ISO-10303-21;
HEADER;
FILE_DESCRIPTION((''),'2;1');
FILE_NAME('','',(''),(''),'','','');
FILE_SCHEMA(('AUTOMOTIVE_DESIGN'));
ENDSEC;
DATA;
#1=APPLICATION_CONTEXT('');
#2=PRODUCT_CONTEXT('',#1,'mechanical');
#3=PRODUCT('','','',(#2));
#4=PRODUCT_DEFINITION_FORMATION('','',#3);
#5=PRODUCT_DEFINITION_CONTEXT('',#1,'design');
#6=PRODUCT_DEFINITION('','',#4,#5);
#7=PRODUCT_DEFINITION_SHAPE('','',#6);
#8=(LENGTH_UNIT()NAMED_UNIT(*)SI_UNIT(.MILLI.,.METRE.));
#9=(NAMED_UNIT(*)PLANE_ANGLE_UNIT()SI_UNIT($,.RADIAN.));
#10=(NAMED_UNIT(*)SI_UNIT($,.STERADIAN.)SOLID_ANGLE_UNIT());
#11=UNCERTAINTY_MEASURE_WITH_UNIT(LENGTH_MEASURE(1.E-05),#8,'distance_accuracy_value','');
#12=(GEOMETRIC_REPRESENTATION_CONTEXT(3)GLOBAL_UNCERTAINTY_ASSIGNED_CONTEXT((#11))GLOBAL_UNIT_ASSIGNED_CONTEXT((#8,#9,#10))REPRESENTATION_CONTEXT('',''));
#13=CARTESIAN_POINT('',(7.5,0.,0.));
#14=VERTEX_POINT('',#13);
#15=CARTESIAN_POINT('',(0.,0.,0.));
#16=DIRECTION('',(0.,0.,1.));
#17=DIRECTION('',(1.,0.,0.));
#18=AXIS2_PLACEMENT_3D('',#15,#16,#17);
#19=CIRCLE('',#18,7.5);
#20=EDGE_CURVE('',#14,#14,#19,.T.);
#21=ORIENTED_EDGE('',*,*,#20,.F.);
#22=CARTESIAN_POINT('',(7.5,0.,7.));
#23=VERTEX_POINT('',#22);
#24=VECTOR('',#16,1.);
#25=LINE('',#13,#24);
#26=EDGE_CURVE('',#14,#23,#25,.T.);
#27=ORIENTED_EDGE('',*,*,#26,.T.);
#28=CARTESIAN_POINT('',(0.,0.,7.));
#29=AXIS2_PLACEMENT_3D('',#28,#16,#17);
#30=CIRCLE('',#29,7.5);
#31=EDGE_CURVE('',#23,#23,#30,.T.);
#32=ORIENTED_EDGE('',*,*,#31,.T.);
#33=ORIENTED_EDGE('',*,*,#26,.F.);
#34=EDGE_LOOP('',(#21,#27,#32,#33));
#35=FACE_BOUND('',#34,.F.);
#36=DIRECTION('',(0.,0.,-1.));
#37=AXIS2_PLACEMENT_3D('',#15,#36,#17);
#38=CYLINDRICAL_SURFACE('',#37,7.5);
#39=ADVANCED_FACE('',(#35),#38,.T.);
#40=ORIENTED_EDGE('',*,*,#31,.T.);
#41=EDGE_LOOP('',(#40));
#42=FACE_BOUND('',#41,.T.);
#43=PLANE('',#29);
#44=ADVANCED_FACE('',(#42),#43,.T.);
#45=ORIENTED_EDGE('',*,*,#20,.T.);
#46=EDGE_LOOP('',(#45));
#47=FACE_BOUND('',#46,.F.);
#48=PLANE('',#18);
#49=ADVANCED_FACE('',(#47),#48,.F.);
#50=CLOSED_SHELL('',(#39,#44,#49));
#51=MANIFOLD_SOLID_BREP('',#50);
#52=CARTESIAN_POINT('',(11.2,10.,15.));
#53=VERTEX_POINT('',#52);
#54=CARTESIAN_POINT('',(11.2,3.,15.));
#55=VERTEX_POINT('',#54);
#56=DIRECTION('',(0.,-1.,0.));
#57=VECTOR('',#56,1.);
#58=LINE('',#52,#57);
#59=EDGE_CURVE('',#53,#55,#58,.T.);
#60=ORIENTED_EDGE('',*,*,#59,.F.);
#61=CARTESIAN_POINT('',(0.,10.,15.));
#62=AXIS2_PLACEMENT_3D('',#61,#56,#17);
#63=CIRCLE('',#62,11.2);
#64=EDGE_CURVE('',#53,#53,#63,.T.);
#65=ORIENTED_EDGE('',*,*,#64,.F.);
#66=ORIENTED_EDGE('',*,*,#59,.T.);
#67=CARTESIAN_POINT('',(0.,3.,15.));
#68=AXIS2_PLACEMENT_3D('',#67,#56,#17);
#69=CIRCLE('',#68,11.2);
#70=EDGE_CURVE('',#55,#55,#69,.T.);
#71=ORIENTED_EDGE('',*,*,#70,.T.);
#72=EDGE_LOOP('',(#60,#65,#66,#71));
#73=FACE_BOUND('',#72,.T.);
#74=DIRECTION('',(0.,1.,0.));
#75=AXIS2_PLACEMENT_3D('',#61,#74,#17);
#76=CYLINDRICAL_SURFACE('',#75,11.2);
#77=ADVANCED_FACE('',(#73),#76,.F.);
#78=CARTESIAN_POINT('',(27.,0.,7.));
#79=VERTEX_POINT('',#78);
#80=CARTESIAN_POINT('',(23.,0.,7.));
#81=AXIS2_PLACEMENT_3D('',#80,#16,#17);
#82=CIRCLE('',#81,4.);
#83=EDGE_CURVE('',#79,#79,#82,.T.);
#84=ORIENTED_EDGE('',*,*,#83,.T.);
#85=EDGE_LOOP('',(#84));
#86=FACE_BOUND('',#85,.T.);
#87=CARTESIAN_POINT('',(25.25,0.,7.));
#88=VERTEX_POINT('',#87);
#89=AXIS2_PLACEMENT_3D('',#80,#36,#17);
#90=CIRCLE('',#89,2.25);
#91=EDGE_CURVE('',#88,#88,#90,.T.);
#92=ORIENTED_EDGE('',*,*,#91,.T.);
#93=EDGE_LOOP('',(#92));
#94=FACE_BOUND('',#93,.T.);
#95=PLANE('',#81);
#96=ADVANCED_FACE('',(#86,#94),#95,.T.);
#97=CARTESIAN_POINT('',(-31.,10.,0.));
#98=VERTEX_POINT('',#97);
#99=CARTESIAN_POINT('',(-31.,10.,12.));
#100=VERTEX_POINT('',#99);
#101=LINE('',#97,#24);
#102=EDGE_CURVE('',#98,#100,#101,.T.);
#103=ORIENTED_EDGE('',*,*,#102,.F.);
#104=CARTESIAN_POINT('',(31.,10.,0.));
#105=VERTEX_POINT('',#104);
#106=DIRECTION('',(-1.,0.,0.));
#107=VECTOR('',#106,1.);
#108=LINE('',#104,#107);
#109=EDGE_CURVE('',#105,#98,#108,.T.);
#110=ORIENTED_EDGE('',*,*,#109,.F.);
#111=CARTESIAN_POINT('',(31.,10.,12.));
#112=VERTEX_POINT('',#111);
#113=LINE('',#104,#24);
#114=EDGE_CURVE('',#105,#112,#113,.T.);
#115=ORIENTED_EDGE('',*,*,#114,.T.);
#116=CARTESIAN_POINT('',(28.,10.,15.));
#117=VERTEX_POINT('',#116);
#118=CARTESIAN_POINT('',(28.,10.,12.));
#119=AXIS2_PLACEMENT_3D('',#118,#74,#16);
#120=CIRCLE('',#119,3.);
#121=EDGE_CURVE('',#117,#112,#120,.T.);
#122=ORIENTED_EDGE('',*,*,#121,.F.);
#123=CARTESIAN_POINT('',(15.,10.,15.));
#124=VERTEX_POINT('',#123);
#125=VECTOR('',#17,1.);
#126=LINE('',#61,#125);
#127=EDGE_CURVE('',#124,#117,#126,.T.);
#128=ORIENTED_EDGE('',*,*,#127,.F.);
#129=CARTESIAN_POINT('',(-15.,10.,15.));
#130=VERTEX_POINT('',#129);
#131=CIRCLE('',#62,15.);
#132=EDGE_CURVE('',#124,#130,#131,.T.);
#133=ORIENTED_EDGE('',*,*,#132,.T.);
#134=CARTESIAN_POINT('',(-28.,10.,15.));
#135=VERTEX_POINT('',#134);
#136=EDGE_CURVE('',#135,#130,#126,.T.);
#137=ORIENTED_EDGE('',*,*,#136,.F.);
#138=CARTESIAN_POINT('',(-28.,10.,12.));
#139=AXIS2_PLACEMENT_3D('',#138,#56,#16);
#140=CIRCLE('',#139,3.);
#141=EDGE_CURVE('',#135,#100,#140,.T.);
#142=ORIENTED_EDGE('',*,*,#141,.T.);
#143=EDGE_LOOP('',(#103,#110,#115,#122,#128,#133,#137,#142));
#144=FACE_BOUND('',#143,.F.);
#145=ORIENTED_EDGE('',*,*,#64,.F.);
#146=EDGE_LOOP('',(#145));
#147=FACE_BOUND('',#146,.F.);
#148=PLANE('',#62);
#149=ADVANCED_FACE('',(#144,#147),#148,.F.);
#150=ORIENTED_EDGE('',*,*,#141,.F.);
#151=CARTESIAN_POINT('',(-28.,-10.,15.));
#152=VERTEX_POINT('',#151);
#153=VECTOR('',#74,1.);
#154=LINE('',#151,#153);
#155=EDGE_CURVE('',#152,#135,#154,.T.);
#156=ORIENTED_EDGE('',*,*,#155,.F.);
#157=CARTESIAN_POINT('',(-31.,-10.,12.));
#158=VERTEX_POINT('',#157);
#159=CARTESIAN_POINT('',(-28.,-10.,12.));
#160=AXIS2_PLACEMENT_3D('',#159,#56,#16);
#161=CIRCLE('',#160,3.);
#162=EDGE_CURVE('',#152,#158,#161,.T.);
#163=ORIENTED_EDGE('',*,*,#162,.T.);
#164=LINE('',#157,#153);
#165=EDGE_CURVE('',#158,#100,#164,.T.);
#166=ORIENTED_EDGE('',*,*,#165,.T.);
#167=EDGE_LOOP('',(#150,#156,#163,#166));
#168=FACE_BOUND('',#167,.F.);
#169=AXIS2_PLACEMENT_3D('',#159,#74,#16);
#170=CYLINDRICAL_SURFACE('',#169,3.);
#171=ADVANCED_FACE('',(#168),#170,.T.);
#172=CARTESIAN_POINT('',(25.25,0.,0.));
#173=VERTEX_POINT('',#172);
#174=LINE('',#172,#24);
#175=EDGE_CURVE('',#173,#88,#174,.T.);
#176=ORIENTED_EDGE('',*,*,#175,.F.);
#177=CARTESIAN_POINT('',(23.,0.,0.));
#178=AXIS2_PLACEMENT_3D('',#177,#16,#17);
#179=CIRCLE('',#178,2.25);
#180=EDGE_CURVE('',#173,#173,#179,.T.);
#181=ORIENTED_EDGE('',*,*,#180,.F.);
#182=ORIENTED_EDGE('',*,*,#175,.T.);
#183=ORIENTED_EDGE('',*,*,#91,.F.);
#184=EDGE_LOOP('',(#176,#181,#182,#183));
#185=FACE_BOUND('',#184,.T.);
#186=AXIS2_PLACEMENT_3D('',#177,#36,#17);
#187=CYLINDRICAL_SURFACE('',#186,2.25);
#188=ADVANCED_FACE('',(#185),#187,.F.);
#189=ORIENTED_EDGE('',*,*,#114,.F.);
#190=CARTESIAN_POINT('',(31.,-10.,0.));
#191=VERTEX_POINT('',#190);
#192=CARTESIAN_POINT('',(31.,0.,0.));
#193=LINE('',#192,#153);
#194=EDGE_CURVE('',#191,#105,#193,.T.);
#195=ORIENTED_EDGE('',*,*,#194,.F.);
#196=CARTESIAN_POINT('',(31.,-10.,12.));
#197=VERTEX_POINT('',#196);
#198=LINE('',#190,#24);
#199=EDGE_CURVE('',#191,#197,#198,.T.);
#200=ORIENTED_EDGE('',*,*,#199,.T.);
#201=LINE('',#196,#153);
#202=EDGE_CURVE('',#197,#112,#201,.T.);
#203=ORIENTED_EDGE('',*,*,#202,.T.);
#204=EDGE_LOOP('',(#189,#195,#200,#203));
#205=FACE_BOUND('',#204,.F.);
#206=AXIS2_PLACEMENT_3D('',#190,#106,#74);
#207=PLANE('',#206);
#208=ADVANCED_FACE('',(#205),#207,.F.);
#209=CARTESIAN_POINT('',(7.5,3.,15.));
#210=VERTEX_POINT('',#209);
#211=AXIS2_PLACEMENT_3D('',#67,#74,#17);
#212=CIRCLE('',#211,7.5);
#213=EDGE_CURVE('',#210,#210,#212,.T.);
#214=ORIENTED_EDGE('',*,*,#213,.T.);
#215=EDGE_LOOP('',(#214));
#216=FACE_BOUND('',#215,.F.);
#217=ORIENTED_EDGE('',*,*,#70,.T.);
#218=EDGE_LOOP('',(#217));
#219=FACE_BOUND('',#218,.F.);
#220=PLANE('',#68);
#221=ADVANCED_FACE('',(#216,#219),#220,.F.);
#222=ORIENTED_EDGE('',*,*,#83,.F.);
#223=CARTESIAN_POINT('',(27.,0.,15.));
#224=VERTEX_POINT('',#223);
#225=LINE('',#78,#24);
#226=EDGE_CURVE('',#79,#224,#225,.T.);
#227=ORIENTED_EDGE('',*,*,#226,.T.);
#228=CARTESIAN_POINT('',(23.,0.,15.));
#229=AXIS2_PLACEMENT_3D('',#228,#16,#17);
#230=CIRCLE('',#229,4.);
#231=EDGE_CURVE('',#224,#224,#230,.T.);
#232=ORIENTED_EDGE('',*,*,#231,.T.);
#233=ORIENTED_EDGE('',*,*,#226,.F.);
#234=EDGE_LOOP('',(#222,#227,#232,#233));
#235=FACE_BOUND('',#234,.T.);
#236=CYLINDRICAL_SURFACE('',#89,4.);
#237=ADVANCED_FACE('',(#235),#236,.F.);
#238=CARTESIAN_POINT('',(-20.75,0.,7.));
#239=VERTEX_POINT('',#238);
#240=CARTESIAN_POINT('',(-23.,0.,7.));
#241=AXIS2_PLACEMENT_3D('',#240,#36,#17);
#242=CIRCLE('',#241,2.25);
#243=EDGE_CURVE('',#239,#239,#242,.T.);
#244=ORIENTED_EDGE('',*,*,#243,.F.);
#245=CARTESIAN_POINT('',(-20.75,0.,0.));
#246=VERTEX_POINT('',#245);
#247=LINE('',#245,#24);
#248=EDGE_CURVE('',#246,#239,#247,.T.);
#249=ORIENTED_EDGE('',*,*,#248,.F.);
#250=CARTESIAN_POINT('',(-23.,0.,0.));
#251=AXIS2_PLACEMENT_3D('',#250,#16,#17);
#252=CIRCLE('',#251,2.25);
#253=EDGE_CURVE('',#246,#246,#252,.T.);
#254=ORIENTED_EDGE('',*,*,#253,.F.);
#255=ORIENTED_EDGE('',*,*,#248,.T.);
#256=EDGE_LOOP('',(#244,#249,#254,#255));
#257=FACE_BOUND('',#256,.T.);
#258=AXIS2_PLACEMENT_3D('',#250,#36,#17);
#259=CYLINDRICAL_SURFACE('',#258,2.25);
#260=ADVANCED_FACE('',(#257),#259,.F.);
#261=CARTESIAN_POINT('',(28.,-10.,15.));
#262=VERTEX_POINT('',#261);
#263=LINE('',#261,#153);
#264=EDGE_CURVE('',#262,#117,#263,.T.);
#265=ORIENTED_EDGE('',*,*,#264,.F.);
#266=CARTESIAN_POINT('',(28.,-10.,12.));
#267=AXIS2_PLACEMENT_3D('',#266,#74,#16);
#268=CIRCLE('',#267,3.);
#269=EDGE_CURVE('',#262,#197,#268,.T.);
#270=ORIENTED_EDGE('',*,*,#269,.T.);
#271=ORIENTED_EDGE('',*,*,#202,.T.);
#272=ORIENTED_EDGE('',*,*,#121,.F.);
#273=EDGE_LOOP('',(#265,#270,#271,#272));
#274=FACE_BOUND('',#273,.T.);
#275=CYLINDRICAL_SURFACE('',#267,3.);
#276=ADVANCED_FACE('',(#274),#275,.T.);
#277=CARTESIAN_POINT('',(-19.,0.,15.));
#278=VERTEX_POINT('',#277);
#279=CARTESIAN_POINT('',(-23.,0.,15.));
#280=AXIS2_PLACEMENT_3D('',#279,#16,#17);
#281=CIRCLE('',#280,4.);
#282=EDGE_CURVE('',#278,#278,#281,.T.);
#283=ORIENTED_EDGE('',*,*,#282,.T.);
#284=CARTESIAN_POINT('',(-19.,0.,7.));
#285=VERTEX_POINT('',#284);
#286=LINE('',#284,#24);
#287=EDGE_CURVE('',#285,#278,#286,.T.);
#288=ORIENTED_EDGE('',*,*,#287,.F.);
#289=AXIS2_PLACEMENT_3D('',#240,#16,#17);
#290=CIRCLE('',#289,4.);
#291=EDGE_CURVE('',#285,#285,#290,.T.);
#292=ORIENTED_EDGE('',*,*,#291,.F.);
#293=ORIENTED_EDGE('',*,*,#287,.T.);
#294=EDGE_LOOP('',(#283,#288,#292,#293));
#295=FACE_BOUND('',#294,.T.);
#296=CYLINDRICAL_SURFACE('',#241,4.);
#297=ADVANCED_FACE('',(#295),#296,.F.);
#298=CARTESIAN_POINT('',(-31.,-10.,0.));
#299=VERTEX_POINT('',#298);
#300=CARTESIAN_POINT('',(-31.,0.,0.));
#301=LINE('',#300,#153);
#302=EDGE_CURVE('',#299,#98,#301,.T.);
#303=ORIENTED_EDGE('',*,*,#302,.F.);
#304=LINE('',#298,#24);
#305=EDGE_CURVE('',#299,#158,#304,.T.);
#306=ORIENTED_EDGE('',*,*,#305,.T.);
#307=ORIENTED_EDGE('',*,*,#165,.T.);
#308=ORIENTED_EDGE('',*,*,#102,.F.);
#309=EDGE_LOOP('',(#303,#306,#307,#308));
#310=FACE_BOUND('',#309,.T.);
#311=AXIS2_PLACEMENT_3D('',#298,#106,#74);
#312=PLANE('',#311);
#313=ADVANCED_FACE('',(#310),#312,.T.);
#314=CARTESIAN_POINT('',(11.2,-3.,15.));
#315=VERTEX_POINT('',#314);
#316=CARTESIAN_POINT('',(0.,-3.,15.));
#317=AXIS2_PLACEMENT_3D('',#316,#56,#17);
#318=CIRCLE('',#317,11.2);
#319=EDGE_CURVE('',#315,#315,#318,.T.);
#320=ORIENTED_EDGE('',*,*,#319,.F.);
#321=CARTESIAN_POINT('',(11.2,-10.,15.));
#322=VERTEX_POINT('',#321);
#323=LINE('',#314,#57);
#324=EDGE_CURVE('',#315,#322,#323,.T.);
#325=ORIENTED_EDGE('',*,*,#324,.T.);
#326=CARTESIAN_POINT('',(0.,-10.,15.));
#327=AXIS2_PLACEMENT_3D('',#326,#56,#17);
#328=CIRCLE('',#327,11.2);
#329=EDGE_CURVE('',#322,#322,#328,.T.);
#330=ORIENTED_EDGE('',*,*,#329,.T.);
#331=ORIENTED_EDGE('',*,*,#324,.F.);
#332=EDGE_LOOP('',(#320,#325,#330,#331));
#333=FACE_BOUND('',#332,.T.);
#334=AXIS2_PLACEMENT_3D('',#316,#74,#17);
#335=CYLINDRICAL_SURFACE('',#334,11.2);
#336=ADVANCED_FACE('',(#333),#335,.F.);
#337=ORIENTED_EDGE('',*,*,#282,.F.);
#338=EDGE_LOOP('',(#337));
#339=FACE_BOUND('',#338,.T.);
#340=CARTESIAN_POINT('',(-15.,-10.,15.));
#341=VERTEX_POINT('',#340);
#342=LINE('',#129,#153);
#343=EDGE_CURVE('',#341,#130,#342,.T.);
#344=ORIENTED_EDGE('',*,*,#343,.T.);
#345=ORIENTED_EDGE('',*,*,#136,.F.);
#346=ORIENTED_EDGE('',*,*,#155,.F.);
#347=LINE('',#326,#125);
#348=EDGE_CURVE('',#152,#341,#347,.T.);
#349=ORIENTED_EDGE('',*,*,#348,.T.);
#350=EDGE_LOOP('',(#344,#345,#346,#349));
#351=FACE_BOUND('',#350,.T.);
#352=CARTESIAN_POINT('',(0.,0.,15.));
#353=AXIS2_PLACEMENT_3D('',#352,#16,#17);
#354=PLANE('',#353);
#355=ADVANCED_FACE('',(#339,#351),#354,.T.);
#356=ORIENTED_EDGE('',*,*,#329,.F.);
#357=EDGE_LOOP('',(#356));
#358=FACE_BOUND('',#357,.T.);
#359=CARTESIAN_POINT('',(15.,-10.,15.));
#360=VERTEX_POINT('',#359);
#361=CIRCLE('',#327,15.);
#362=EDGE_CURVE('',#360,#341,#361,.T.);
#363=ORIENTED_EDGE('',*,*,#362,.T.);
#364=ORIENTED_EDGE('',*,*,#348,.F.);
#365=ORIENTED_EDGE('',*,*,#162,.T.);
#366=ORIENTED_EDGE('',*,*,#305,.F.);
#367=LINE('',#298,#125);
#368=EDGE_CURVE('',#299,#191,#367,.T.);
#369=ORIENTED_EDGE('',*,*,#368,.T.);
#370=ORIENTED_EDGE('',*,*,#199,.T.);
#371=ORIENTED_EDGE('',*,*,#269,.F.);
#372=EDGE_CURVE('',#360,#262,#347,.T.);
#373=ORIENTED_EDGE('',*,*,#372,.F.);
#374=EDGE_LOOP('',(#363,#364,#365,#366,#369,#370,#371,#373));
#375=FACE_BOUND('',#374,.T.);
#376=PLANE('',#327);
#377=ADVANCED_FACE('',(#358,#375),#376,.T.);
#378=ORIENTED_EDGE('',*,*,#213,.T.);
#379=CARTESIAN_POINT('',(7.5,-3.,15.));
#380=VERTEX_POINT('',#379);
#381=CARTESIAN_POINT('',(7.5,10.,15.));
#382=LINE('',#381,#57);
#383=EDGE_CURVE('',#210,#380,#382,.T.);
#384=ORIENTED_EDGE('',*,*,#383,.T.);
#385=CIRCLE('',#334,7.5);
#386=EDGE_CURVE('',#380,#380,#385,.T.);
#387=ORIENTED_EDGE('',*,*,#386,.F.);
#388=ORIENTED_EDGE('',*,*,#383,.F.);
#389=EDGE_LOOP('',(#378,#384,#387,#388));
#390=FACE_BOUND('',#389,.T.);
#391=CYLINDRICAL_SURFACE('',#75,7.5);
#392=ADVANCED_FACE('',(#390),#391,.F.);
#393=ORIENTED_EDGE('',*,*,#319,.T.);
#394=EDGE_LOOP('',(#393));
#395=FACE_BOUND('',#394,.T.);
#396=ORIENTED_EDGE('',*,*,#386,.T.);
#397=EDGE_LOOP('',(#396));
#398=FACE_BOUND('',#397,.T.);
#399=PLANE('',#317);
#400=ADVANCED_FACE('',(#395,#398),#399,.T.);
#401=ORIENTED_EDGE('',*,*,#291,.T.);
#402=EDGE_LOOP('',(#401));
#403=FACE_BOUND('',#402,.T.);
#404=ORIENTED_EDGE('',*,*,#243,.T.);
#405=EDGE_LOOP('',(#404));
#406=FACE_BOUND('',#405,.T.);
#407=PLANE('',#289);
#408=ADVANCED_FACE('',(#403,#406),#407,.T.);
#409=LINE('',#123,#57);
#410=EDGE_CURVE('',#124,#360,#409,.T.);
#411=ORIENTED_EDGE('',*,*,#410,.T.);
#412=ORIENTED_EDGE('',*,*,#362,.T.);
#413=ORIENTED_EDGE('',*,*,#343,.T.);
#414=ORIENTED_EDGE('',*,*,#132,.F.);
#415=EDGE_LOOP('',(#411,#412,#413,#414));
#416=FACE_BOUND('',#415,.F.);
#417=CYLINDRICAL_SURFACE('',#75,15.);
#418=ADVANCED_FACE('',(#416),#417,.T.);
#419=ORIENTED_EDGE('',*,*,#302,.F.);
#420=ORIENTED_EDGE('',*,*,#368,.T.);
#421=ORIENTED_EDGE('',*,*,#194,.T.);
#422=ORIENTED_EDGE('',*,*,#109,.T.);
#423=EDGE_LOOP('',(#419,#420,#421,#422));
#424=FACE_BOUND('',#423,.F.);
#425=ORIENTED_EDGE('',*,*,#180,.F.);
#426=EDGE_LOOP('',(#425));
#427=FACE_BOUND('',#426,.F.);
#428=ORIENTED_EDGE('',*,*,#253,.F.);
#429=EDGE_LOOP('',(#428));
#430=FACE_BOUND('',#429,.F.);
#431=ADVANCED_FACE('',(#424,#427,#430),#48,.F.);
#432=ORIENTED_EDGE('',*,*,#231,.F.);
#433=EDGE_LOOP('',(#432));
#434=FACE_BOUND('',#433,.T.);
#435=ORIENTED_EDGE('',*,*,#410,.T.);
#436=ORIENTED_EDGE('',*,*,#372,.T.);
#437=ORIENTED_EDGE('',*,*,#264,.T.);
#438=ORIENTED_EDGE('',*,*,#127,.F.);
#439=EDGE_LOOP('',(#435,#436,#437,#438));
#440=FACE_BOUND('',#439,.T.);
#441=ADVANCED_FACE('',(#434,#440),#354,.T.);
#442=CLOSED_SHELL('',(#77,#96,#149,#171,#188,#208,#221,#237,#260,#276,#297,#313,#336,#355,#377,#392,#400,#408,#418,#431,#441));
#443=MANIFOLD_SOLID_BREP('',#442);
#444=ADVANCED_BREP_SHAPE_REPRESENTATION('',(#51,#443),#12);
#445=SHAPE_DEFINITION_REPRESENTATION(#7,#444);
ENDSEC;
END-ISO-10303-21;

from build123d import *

# Parameters (mm, degrees)
CYLINDER001_R     = 7.5
CYLINDER001_DEPTH = 7
CYLINDER008_R     = 4
CYLINDER008_DEPTH = 8
CYLINDER007_R     = 2.25
CYLINDER007_DEPTH = 15
CYLINDER_R        = 11.2
CYLINDER_DEPTH    = 7
CYLINDER002_R     = 11.2
CYLINDER002_DEPTH = 7
CYLINDER004_R     = 7.5
CYLINDER004_DEPTH = 20
CYLINDER006_R     = 4
CYLINDER006_DEPTH = 8
CYLINDER005_R     = 2.25
CYLINDER005_DEPTH = 15
CYLINDER003_R     = 15
CYLINDER003_DEPTH = 20
BOX001_W          = 62
BOX001_H          = 20
BOX001_DEPTH      = 15
FILLET_R          = 3


with BuildPart() as cylinder001:
    # Cylinder001 → Cylinder001 (new body)
    with BuildSketch(Plane.XY):
        Circle(CYLINDER001_R)
    extrude(amount=CYLINDER001_DEPTH)


with BuildPart() as cylinder008:
    # Cylinder008 → Cylinder008 (new body)
    with BuildSketch(Plane.XY.offset(7)):
        Circle(CYLINDER008_R)
    extrude(amount=CYLINDER008_DEPTH)


with BuildPart() as fusion002:
    # Cylinder007 → Cylinder007 (new body)
    with BuildSketch(Plane.XY):
        Circle(CYLINDER007_R)
    extrude(amount=CYLINDER007_DEPTH)

    # Fusion002: union Cylinder008
    add(cylinder008.part)


with BuildPart() as fusion002_1:
    # Fusion002 placement: moved
    add(fusion002.part.moved(Location((-23, 0, 0))))


with BuildPart() as cylinder:
    # Cylinder → Cylinder (new body)
    with BuildSketch(Plane(origin=(0, -3, 15), x_dir=(1, 0, 0), z_dir=(0, -1, 0))):
        Circle(CYLINDER_R)
    extrude(amount=CYLINDER_DEPTH)


with BuildPart() as cylinder002:
    # Cylinder002 → Cylinder002 (new body)
    with BuildSketch(Plane(origin=(0, 10, 15), x_dir=(1, 0, 0), z_dir=(0, -1, 0))):
        Circle(CYLINDER002_R)
    extrude(amount=CYLINDER002_DEPTH)


with BuildPart() as fusion:
    # Cylinder004 → Cylinder004 (new body)
    with BuildSketch(Plane(origin=(0, 10, 15), x_dir=(1, 0, 0), z_dir=(0, -1, 0))):
        Circle(CYLINDER004_R)
    extrude(amount=CYLINDER004_DEPTH)

    # Fusion: union Cylinder, Cylinder002
    add(cylinder.part)
    add(cylinder002.part)


with BuildPart() as cylinder006:
    # Cylinder006 → Cylinder006 (new body)
    with BuildSketch(Plane.XY.offset(7)):
        Circle(CYLINDER006_R)
    extrude(amount=CYLINDER006_DEPTH)


with BuildPart() as fusion003:
    # Cylinder005 → Cylinder005 (new body)
    with BuildSketch(Plane.XY):
        Circle(CYLINDER005_R)
    extrude(amount=CYLINDER005_DEPTH)

    # Fusion001: union Cylinder006
    add(cylinder006.part)


with BuildPart() as fusion003_1:
    # Fusion001 placement: moved
    add(fusion003.part.moved(Location((23, 0, 0))))

    # Fusion003: union Fusion002, Fusion
    add(fusion002_1.part)
    add(fusion.part)


with BuildPart() as cylinder003:
    # Cylinder003 → Cylinder003 (new body)
    with BuildSketch(Plane(origin=(0, 10, 15), x_dir=(1, 0, 0), z_dir=(0, -1, 0))):
        Circle(CYLINDER003_R)
    extrude(amount=CYLINDER003_DEPTH)


with BuildPart() as fillet_body:
    # Box001 → Box001 (new body)
    with BuildSketch(Plane(origin=(-31, -10, 0), x_dir=(1, 0, 0), z_dir=(0, 0, 1))):
        with Locations((31, 10)):
            Rectangle(BOX001_W, BOX001_H)
    extrude(amount=BOX001_DEPTH)

    # Fusion004: union Cylinder003
    add(cylinder003.part)

    # Cut: cut Fusion003
    add(fusion003_1.part, mode=Mode.SUBTRACT)

    # Fillet
    fillet_edges = [fillet_body.edges().sort_by_distance(p)[0] for p in [
        (-31, 0, 15),
        (31, 0, 15),
    ]]
    fillet(fillet_edges, radius=FILLET_R)


solid = Compound([cylinder001.part, fillet_body.part])
